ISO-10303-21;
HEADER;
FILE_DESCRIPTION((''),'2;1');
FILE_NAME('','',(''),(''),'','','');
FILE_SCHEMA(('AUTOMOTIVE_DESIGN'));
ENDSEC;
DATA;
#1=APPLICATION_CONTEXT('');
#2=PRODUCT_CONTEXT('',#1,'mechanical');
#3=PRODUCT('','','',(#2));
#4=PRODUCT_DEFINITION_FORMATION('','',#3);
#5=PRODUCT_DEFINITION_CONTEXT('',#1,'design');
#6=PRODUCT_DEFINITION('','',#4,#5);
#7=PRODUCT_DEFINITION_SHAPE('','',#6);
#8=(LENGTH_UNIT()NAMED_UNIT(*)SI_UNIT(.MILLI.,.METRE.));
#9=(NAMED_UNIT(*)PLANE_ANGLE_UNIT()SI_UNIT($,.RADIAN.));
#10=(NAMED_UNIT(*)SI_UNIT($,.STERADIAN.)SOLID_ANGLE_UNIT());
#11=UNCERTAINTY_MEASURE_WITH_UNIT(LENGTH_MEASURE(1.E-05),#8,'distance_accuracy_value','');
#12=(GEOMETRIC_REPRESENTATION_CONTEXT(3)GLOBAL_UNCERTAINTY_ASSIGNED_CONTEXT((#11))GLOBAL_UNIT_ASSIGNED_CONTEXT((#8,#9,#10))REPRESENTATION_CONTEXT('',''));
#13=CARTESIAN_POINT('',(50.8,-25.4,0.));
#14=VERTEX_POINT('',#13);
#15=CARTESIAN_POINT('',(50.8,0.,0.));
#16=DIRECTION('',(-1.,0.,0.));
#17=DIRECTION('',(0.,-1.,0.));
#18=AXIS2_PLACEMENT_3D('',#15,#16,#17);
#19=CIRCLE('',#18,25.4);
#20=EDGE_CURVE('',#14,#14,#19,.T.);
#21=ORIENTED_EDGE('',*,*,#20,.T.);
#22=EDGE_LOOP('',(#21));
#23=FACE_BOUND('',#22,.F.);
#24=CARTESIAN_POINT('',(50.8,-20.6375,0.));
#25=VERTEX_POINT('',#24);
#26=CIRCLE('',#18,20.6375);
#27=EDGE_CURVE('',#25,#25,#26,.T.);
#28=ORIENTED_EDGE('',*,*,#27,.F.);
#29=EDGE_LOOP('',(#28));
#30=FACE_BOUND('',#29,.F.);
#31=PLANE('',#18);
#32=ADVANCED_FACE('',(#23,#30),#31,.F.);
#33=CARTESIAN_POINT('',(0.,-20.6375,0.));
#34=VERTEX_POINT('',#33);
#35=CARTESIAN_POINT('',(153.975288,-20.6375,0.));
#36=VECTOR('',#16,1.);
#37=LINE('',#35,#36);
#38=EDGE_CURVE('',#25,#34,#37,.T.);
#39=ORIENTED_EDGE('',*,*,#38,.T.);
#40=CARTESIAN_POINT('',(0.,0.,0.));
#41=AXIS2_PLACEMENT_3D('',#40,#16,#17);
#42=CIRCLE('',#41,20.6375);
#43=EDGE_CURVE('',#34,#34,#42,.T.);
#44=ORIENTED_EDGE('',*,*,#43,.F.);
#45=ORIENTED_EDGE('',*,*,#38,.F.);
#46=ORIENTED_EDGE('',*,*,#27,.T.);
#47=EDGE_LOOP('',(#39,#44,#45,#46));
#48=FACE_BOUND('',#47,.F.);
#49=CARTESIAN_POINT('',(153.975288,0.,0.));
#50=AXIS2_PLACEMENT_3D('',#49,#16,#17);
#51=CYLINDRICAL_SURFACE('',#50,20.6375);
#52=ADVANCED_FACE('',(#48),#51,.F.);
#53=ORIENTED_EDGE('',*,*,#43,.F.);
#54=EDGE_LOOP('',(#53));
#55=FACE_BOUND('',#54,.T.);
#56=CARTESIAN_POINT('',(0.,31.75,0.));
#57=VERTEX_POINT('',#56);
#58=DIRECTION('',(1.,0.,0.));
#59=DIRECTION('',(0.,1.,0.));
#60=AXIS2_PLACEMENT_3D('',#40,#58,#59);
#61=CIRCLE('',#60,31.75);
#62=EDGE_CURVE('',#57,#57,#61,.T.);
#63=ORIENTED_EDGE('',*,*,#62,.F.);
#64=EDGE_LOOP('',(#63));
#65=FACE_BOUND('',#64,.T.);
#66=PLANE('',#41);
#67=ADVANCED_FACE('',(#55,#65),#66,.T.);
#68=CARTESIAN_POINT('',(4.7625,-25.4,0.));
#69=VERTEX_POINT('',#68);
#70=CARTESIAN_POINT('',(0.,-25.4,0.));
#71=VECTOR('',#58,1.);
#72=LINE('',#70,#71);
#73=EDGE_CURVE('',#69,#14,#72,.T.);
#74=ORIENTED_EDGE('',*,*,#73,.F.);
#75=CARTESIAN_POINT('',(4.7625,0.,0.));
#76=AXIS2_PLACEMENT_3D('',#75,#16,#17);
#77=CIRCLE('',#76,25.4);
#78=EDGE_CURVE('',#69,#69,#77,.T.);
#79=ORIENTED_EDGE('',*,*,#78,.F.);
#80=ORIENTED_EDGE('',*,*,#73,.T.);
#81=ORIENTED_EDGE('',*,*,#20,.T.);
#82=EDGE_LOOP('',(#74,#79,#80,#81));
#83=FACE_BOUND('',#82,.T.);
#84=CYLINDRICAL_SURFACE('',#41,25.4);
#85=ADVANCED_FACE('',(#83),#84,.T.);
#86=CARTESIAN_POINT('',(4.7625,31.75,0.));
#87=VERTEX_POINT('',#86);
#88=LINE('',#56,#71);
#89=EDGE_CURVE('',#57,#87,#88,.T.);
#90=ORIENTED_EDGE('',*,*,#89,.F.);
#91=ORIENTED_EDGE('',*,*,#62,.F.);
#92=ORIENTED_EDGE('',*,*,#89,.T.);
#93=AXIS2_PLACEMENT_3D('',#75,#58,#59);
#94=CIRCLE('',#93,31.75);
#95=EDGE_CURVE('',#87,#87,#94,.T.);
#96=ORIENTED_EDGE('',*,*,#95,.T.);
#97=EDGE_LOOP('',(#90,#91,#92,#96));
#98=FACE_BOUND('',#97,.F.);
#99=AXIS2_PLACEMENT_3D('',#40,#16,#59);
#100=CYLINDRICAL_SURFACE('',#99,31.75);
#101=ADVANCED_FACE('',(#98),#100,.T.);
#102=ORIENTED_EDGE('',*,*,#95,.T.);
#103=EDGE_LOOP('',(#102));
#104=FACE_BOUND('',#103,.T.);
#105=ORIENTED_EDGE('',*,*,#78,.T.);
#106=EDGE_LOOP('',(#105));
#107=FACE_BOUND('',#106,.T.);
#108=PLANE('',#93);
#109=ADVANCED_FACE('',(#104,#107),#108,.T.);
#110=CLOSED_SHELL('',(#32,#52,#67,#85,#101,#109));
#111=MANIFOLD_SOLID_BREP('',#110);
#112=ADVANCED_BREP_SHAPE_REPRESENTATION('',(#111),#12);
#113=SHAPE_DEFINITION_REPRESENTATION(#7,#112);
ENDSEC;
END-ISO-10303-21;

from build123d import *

# Parameters (mm, degrees)
F0_R     = 31.75
F1_DEPTH = 4.7625
F2_R     = 25.4
F3_DEPTH = 50.8
F5_D     = 41.275


with BuildPart() as f1:
    # F0 (on Right) → F1 (new body)
    with BuildSketch(Plane.YZ):
        Circle(F0_R)
    extrude(amount=F1_DEPTH)

    # F2 (on face) → F3 (join)
    with BuildSketch(Plane(origin=(0, 0, 0), x_dir=(0, -1, 0), z_dir=(-1, 0, 0))):
        Circle(F2_R)
    extrude(amount=-F3_DEPTH)

    # F5 (through all)
    with Locations(Plane.YZ.offset(50.8)):
        with Locations((0, 0)):
            Hole(F5_D / 2)


solid = f1.part
